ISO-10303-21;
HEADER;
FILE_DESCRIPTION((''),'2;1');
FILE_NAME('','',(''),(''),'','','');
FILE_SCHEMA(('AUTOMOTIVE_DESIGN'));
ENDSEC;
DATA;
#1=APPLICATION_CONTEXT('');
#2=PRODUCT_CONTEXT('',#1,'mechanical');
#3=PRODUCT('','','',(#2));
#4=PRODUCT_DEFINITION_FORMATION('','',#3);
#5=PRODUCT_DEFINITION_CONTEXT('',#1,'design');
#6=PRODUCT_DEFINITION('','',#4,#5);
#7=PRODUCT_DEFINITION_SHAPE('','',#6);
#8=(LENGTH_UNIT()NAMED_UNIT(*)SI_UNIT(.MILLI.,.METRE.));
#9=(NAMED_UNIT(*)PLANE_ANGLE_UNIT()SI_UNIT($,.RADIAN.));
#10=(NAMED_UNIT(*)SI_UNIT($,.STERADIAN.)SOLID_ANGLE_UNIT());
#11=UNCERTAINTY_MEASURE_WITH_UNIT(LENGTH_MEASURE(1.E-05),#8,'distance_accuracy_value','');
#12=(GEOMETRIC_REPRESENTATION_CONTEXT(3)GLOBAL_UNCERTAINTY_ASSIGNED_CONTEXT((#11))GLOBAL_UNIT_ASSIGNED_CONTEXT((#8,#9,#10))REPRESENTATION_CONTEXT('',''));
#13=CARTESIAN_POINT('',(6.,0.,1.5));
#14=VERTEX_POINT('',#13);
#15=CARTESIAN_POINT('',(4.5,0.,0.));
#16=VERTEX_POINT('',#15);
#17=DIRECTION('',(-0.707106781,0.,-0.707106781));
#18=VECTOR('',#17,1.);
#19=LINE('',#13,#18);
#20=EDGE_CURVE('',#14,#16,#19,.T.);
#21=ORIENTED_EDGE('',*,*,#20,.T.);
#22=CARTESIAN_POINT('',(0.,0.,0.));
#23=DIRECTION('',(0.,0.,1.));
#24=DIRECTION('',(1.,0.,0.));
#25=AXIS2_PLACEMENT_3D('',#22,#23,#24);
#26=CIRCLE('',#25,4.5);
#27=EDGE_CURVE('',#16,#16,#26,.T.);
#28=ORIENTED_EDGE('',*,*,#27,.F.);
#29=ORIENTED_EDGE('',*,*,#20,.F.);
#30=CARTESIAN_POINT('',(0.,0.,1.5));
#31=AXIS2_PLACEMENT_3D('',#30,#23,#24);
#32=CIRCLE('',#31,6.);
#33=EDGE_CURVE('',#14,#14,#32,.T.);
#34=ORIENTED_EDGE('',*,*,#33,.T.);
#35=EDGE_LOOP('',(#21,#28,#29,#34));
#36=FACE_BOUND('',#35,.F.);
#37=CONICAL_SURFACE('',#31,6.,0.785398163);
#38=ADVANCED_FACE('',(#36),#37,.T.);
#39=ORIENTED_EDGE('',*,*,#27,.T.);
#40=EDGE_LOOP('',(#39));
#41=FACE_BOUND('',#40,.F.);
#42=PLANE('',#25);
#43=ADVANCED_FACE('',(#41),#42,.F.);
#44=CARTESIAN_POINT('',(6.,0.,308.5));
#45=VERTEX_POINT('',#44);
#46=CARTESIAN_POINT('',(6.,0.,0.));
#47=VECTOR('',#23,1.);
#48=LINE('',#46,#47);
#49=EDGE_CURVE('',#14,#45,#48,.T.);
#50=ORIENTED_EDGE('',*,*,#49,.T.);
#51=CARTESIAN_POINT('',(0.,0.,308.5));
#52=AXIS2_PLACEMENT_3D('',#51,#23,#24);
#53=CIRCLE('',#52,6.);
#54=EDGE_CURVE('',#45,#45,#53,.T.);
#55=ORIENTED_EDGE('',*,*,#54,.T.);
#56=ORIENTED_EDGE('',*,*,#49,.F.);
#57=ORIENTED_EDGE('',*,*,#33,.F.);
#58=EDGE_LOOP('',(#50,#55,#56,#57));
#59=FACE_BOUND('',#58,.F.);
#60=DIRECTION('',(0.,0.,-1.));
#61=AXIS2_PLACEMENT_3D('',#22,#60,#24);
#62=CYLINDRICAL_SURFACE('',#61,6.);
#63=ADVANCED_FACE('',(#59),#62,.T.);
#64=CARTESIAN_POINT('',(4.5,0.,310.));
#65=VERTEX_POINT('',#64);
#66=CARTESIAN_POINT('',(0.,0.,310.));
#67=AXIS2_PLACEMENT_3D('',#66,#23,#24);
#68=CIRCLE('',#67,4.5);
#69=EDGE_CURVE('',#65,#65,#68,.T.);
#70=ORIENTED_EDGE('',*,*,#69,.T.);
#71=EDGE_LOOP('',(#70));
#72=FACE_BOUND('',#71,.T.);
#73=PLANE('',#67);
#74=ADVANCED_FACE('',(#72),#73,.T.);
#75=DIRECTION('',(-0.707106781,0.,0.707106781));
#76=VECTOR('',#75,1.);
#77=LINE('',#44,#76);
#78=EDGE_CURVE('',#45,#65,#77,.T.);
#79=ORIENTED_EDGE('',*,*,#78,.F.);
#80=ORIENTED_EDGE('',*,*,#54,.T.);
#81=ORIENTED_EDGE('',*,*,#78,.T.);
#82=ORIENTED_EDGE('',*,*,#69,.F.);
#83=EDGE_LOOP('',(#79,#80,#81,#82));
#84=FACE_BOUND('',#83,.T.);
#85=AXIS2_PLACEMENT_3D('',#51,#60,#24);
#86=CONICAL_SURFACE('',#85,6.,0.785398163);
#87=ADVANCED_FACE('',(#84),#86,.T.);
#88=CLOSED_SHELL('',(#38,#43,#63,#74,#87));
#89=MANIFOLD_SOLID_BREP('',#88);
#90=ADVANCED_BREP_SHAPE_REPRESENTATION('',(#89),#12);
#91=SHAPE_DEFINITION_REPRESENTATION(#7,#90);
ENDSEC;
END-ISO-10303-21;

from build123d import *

# Parameters (mm, degrees)
SKETCH1_R      = 6
EXTRUDE1_DEPTH = 310
CHAMFER1_SIZE  = 1.5


with BuildPart() as part:
    # Sketch1 → Extrude1 (new body)
    with BuildSketch(Plane.XY):
        Circle(SKETCH1_R)
    extrude(amount=EXTRUDE1_DEPTH)

    # Chamfer1
    chamfer1_edges = [part.edges().sort_by_distance(p)[0] for p in [
        (-6, 0, 0),
        (-6, 0, 310),
    ]]
    chamfer(chamfer1_edges, length=CHAMFER1_SIZE)


solid = part.part
